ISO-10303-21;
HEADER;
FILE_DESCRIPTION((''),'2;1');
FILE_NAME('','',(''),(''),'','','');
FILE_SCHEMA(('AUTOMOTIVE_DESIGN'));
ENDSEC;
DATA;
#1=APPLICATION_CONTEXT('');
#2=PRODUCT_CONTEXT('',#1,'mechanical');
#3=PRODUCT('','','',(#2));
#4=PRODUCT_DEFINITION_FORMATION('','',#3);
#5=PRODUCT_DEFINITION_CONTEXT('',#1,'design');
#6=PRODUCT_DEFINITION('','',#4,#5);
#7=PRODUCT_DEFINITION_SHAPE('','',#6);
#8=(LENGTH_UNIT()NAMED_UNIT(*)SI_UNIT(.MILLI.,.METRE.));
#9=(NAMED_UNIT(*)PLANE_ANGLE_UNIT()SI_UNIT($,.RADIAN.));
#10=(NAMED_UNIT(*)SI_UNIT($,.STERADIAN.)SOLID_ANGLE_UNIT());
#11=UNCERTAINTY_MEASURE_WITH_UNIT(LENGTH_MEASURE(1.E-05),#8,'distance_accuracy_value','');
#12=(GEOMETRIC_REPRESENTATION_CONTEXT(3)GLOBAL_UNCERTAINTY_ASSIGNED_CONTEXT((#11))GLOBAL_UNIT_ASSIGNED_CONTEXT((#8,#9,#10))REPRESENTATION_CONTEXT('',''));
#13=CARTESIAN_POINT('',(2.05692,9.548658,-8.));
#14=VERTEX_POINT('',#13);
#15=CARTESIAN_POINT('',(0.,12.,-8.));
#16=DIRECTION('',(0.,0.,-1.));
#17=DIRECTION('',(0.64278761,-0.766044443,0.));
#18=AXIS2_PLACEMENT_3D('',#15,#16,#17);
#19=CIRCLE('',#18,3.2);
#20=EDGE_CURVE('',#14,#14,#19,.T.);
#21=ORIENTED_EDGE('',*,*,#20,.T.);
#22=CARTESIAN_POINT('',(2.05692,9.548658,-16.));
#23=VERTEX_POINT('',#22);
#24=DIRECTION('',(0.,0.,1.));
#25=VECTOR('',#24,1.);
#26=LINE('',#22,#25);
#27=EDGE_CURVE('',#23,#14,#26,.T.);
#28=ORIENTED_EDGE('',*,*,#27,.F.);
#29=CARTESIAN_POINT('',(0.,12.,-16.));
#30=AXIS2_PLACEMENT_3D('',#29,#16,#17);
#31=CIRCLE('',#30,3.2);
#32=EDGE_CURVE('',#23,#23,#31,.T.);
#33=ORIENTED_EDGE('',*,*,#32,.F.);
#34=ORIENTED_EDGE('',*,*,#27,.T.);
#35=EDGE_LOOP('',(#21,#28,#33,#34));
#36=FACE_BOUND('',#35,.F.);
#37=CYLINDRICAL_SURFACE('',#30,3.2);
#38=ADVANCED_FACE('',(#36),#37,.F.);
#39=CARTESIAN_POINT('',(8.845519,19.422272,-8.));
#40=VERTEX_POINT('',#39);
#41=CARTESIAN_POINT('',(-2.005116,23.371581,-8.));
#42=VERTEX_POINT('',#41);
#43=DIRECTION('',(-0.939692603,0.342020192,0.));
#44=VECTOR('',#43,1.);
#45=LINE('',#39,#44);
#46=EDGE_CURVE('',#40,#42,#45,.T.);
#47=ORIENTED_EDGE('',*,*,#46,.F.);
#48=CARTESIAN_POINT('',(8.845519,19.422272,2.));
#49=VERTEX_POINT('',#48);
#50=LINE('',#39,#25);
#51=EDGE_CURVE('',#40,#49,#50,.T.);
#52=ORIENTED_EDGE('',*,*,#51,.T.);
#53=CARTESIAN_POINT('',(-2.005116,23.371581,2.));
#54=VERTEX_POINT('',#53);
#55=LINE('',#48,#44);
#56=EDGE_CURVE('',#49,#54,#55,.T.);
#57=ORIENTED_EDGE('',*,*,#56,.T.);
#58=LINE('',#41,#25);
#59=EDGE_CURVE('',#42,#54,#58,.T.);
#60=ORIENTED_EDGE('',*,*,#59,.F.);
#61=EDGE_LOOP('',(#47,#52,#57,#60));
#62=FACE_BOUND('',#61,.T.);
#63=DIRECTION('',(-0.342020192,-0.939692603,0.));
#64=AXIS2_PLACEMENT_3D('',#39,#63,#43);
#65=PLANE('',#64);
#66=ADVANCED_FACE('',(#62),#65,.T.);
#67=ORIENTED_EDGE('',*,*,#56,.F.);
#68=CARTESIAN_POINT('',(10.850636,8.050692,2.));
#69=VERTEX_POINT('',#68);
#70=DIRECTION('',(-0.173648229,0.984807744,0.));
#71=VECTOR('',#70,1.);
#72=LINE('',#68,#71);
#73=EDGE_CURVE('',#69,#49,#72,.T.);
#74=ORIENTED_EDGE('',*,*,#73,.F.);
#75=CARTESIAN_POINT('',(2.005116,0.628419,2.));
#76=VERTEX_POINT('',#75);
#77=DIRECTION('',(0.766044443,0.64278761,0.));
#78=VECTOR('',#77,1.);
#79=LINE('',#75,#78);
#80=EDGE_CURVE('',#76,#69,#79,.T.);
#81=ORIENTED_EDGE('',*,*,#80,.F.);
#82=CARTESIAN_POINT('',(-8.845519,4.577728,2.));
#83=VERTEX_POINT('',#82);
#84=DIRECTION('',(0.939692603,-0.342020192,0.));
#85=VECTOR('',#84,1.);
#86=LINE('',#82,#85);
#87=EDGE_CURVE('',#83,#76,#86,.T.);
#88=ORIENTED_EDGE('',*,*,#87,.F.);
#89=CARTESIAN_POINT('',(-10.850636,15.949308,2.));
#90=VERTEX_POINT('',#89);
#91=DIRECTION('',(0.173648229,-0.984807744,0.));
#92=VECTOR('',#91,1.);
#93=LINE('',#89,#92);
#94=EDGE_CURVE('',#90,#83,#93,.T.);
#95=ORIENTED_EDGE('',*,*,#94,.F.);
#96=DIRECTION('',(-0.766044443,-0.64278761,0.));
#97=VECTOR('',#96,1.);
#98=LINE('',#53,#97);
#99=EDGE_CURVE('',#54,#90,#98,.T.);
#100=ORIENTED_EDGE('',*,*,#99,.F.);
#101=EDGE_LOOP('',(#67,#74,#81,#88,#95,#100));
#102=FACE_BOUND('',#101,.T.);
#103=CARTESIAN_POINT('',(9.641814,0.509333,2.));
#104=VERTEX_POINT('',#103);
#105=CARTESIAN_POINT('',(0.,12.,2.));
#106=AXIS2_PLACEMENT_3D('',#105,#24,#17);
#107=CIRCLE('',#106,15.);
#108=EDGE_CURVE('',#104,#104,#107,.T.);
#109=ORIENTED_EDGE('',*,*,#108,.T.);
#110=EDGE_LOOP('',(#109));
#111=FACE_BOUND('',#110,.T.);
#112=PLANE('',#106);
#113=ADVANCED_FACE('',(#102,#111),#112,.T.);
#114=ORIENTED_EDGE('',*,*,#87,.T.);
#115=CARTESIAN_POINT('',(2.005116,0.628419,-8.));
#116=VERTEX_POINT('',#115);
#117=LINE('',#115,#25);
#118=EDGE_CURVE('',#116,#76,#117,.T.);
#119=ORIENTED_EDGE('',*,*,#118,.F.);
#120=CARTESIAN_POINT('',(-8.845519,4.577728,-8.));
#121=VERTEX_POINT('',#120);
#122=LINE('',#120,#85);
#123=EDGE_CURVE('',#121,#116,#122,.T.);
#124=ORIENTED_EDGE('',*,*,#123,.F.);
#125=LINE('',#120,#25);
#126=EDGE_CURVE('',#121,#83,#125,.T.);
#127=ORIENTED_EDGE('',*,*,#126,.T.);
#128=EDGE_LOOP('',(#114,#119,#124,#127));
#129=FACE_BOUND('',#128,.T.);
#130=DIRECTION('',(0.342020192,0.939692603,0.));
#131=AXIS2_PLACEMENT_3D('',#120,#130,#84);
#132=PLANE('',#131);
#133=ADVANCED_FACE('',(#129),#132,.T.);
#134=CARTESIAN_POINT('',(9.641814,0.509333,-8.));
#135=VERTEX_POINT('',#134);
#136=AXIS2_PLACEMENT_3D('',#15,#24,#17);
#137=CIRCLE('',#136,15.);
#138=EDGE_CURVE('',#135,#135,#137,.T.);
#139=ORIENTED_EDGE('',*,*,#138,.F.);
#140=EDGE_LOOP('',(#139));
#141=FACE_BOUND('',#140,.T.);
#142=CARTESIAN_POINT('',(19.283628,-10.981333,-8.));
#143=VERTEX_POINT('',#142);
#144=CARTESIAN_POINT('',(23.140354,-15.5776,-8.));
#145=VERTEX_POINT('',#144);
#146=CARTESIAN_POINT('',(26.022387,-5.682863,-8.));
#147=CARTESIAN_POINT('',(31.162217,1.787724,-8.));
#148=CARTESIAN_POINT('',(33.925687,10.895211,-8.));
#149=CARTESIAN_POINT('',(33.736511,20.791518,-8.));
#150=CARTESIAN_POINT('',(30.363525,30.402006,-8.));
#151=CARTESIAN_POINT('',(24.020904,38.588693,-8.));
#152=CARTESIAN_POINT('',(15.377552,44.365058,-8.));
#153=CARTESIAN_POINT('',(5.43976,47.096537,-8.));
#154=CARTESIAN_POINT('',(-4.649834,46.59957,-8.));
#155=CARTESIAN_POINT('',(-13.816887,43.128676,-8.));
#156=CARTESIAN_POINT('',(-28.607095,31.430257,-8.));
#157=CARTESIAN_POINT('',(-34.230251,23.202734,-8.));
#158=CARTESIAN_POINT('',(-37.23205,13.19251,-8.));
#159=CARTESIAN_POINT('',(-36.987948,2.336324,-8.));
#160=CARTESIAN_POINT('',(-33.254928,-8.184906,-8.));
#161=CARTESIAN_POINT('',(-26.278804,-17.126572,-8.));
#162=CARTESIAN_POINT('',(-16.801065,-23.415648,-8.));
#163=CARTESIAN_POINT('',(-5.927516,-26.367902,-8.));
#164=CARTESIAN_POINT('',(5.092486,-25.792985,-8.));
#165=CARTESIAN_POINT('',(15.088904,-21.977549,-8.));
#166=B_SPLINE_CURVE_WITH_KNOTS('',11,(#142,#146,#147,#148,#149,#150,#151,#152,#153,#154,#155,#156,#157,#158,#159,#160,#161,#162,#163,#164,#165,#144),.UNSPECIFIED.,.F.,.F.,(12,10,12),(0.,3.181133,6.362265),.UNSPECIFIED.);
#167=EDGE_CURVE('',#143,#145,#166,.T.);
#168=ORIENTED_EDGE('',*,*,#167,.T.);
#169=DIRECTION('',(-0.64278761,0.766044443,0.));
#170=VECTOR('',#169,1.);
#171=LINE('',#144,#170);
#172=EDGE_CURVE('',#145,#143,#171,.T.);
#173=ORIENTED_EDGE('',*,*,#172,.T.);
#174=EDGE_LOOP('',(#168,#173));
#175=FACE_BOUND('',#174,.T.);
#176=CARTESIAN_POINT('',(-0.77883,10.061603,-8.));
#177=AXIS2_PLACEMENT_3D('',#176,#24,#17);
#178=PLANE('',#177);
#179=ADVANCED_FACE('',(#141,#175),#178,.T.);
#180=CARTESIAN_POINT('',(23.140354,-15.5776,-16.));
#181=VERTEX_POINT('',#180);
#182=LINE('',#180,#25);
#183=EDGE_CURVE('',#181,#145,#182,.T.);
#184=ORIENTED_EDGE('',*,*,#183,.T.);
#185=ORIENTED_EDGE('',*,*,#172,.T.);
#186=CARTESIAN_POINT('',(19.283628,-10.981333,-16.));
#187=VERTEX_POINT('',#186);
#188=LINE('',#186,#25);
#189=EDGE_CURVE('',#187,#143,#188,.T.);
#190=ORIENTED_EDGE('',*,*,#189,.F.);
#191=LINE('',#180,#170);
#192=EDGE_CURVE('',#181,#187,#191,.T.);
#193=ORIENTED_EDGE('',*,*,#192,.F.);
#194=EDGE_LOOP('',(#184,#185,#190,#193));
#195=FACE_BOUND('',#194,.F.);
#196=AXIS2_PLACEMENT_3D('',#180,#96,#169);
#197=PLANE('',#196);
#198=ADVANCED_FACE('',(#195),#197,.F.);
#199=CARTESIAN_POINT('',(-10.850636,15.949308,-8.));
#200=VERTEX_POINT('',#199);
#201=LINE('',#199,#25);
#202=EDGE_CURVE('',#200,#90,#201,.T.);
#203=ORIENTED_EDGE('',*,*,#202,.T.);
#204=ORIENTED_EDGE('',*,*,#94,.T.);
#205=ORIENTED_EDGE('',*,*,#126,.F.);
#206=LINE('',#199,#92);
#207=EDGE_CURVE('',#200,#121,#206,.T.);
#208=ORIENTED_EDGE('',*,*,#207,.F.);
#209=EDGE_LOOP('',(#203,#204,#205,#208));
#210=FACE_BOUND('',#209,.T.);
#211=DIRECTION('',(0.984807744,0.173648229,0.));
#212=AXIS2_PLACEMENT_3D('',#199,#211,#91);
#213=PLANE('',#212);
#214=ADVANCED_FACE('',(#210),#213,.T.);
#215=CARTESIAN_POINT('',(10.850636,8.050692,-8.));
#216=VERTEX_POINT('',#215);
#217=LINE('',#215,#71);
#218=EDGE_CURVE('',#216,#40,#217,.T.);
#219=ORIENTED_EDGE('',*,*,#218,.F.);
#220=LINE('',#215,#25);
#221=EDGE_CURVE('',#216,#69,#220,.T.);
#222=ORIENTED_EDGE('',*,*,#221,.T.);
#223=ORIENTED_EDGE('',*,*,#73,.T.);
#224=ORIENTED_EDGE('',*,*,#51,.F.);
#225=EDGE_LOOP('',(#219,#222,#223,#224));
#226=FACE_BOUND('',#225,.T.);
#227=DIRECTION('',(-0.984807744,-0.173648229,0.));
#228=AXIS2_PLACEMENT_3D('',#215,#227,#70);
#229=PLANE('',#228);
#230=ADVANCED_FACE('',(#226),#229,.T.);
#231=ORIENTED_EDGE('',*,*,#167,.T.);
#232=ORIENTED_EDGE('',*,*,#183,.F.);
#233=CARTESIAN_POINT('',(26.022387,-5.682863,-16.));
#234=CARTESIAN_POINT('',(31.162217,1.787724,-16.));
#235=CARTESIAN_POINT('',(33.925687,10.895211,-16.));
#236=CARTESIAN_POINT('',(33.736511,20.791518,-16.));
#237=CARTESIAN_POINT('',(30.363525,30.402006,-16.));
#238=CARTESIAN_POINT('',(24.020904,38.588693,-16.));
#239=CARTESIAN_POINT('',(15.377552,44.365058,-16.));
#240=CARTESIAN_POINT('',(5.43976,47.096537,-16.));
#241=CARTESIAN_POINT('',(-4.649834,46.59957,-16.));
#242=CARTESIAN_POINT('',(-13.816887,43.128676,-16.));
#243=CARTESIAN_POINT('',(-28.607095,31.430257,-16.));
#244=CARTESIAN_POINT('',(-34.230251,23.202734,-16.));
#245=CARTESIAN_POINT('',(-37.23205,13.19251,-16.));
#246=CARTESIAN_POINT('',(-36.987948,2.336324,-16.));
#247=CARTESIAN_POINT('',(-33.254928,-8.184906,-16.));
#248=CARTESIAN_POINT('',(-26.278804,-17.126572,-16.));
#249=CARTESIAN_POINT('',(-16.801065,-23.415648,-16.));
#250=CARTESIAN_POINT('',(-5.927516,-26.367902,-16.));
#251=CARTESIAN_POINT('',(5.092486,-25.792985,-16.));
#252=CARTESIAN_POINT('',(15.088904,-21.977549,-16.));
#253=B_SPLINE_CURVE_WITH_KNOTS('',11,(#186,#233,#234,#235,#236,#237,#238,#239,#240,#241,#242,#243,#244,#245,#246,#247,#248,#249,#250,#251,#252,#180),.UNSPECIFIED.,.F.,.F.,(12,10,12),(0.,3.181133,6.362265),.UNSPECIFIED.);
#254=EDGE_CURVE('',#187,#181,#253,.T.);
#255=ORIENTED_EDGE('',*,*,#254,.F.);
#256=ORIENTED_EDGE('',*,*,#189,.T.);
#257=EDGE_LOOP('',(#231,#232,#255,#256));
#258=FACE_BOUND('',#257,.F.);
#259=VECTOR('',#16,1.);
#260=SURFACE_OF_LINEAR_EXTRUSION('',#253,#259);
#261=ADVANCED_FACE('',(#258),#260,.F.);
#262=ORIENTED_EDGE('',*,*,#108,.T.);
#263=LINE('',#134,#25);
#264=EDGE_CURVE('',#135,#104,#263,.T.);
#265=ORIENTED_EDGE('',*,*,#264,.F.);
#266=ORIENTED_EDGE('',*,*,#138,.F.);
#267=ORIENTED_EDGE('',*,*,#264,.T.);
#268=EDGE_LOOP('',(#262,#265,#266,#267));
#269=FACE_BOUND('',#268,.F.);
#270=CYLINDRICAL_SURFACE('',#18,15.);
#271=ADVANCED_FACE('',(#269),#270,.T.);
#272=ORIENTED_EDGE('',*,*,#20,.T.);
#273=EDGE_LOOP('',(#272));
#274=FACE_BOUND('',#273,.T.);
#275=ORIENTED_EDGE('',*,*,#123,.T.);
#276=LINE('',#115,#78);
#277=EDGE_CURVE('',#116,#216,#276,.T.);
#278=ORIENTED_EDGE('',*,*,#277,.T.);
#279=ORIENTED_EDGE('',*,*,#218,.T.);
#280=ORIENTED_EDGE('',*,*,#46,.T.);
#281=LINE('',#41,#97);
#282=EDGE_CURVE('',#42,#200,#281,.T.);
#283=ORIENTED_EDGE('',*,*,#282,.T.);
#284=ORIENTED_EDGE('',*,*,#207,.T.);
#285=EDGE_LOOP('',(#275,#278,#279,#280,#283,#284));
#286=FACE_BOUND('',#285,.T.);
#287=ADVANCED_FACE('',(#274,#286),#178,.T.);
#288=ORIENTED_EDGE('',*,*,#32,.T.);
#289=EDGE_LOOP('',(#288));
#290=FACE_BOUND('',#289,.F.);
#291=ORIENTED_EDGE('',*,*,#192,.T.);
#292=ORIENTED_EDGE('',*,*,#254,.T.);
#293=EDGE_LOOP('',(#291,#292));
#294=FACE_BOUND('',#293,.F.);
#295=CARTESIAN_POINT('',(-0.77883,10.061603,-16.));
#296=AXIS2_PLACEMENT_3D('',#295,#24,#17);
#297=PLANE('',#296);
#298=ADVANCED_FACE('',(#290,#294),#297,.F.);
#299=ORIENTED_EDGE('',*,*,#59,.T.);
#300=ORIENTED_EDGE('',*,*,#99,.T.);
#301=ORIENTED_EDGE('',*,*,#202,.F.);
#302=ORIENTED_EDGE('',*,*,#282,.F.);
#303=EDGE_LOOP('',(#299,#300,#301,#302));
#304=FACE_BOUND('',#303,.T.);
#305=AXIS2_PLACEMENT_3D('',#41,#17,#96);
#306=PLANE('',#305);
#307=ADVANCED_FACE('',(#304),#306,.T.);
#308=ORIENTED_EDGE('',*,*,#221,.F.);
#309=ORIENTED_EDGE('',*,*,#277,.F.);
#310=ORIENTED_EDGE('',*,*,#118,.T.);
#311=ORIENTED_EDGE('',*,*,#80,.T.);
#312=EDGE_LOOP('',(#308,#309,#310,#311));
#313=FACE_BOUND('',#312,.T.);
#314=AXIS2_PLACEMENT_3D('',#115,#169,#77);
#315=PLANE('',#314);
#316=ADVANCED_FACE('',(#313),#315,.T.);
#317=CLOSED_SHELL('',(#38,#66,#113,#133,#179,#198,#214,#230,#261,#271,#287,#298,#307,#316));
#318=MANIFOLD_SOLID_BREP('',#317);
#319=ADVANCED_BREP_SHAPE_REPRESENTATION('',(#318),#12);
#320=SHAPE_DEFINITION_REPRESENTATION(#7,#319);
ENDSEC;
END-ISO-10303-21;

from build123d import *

# Parameters (mm, degrees)
PAD_DEPTH               = 8
SKETCH019_R             = 15
PAD010_DEPTH            = 10
SKETCH020_R             = 3.2
POCKET_DEPTH            = 18.001
BODY005_PLACEMENT_ANGLE = 310


with BuildPart() as part:
    # Sketch018 → Pad (new body)
    with BuildSketch(Plane.XY):
        with BuildLine():
            add(Edge.make_bspline(
                [(30, 0), (30.272727, 8.56798), (27.853744, 17.307319), (22.653329, 25.278439), (14.950718, 31.494746), (5.420543, 35.088391), (-4.927781, 35.491962), (-14.908573, 32.583746), (-23.388897, 26.726717), (-29.493664, 18.678196), (-32.727273, 9.424778), (-33.272727, -9.424778), (-30.584573, -19.020915), (-24.845816, -27.754875), (-16.372589, -34.546103), (-5.913321, -38.44936), (5.420559, -38.852932), (16.330444, -35.635102), (25.581384, -29.203153), (32.224493, -20.391792), (35.727273, -10.281576), (36, 0)],
                knots=[0, 0, 0, 0, 0, 0, 0, 0, 0, 0, 0, 0, 3.181133, 3.181133, 3.181133, 3.181133, 3.181133, 3.181133, 3.181133, 3.181133, 3.181133, 3.181133, 6.362265, 6.362265, 6.362265, 6.362265, 6.362265, 6.362265, 6.362265, 6.362265, 6.362265, 6.362265, 6.362265, 6.362265], degree=11))
            Line((36, 0), (30, 0))
        make_face()
    extrude(amount=PAD_DEPTH)

    # Sketch019 (on Face4 of Pad) → Pad010 (join)
    with BuildSketch(Plane.XY.offset(8)):
        Circle(SKETCH019_R)
        Polygon((0, -11.547005), (10, -5.773503), (10, 5.773503), (0, 11.547005), (-10, 5.773503), (-10, -5.773503), align=None, mode=Mode.SUBTRACT)
    extrude(amount=PAD010_DEPTH)

    # Sketch020 (on Face3 of Pad010) → Pocket (cut, through all)
    with BuildSketch(Plane(origin=(0, 0, 0), x_dir=(1, 0, 0), z_dir=(0, 0, -1))):
        Circle(SKETCH020_R)
    extrude(amount=-POCKET_DEPTH, mode=Mode.SUBTRACT)


with BuildPart() as part_1:
    # Body005 placement: moved
    add(part.part.moved(Location((0, 12, -16))).rotate(Axis((0, 12, -16), (0, 0, 1)), BODY005_PLACEMENT_ANGLE))


solid = part_1.part
